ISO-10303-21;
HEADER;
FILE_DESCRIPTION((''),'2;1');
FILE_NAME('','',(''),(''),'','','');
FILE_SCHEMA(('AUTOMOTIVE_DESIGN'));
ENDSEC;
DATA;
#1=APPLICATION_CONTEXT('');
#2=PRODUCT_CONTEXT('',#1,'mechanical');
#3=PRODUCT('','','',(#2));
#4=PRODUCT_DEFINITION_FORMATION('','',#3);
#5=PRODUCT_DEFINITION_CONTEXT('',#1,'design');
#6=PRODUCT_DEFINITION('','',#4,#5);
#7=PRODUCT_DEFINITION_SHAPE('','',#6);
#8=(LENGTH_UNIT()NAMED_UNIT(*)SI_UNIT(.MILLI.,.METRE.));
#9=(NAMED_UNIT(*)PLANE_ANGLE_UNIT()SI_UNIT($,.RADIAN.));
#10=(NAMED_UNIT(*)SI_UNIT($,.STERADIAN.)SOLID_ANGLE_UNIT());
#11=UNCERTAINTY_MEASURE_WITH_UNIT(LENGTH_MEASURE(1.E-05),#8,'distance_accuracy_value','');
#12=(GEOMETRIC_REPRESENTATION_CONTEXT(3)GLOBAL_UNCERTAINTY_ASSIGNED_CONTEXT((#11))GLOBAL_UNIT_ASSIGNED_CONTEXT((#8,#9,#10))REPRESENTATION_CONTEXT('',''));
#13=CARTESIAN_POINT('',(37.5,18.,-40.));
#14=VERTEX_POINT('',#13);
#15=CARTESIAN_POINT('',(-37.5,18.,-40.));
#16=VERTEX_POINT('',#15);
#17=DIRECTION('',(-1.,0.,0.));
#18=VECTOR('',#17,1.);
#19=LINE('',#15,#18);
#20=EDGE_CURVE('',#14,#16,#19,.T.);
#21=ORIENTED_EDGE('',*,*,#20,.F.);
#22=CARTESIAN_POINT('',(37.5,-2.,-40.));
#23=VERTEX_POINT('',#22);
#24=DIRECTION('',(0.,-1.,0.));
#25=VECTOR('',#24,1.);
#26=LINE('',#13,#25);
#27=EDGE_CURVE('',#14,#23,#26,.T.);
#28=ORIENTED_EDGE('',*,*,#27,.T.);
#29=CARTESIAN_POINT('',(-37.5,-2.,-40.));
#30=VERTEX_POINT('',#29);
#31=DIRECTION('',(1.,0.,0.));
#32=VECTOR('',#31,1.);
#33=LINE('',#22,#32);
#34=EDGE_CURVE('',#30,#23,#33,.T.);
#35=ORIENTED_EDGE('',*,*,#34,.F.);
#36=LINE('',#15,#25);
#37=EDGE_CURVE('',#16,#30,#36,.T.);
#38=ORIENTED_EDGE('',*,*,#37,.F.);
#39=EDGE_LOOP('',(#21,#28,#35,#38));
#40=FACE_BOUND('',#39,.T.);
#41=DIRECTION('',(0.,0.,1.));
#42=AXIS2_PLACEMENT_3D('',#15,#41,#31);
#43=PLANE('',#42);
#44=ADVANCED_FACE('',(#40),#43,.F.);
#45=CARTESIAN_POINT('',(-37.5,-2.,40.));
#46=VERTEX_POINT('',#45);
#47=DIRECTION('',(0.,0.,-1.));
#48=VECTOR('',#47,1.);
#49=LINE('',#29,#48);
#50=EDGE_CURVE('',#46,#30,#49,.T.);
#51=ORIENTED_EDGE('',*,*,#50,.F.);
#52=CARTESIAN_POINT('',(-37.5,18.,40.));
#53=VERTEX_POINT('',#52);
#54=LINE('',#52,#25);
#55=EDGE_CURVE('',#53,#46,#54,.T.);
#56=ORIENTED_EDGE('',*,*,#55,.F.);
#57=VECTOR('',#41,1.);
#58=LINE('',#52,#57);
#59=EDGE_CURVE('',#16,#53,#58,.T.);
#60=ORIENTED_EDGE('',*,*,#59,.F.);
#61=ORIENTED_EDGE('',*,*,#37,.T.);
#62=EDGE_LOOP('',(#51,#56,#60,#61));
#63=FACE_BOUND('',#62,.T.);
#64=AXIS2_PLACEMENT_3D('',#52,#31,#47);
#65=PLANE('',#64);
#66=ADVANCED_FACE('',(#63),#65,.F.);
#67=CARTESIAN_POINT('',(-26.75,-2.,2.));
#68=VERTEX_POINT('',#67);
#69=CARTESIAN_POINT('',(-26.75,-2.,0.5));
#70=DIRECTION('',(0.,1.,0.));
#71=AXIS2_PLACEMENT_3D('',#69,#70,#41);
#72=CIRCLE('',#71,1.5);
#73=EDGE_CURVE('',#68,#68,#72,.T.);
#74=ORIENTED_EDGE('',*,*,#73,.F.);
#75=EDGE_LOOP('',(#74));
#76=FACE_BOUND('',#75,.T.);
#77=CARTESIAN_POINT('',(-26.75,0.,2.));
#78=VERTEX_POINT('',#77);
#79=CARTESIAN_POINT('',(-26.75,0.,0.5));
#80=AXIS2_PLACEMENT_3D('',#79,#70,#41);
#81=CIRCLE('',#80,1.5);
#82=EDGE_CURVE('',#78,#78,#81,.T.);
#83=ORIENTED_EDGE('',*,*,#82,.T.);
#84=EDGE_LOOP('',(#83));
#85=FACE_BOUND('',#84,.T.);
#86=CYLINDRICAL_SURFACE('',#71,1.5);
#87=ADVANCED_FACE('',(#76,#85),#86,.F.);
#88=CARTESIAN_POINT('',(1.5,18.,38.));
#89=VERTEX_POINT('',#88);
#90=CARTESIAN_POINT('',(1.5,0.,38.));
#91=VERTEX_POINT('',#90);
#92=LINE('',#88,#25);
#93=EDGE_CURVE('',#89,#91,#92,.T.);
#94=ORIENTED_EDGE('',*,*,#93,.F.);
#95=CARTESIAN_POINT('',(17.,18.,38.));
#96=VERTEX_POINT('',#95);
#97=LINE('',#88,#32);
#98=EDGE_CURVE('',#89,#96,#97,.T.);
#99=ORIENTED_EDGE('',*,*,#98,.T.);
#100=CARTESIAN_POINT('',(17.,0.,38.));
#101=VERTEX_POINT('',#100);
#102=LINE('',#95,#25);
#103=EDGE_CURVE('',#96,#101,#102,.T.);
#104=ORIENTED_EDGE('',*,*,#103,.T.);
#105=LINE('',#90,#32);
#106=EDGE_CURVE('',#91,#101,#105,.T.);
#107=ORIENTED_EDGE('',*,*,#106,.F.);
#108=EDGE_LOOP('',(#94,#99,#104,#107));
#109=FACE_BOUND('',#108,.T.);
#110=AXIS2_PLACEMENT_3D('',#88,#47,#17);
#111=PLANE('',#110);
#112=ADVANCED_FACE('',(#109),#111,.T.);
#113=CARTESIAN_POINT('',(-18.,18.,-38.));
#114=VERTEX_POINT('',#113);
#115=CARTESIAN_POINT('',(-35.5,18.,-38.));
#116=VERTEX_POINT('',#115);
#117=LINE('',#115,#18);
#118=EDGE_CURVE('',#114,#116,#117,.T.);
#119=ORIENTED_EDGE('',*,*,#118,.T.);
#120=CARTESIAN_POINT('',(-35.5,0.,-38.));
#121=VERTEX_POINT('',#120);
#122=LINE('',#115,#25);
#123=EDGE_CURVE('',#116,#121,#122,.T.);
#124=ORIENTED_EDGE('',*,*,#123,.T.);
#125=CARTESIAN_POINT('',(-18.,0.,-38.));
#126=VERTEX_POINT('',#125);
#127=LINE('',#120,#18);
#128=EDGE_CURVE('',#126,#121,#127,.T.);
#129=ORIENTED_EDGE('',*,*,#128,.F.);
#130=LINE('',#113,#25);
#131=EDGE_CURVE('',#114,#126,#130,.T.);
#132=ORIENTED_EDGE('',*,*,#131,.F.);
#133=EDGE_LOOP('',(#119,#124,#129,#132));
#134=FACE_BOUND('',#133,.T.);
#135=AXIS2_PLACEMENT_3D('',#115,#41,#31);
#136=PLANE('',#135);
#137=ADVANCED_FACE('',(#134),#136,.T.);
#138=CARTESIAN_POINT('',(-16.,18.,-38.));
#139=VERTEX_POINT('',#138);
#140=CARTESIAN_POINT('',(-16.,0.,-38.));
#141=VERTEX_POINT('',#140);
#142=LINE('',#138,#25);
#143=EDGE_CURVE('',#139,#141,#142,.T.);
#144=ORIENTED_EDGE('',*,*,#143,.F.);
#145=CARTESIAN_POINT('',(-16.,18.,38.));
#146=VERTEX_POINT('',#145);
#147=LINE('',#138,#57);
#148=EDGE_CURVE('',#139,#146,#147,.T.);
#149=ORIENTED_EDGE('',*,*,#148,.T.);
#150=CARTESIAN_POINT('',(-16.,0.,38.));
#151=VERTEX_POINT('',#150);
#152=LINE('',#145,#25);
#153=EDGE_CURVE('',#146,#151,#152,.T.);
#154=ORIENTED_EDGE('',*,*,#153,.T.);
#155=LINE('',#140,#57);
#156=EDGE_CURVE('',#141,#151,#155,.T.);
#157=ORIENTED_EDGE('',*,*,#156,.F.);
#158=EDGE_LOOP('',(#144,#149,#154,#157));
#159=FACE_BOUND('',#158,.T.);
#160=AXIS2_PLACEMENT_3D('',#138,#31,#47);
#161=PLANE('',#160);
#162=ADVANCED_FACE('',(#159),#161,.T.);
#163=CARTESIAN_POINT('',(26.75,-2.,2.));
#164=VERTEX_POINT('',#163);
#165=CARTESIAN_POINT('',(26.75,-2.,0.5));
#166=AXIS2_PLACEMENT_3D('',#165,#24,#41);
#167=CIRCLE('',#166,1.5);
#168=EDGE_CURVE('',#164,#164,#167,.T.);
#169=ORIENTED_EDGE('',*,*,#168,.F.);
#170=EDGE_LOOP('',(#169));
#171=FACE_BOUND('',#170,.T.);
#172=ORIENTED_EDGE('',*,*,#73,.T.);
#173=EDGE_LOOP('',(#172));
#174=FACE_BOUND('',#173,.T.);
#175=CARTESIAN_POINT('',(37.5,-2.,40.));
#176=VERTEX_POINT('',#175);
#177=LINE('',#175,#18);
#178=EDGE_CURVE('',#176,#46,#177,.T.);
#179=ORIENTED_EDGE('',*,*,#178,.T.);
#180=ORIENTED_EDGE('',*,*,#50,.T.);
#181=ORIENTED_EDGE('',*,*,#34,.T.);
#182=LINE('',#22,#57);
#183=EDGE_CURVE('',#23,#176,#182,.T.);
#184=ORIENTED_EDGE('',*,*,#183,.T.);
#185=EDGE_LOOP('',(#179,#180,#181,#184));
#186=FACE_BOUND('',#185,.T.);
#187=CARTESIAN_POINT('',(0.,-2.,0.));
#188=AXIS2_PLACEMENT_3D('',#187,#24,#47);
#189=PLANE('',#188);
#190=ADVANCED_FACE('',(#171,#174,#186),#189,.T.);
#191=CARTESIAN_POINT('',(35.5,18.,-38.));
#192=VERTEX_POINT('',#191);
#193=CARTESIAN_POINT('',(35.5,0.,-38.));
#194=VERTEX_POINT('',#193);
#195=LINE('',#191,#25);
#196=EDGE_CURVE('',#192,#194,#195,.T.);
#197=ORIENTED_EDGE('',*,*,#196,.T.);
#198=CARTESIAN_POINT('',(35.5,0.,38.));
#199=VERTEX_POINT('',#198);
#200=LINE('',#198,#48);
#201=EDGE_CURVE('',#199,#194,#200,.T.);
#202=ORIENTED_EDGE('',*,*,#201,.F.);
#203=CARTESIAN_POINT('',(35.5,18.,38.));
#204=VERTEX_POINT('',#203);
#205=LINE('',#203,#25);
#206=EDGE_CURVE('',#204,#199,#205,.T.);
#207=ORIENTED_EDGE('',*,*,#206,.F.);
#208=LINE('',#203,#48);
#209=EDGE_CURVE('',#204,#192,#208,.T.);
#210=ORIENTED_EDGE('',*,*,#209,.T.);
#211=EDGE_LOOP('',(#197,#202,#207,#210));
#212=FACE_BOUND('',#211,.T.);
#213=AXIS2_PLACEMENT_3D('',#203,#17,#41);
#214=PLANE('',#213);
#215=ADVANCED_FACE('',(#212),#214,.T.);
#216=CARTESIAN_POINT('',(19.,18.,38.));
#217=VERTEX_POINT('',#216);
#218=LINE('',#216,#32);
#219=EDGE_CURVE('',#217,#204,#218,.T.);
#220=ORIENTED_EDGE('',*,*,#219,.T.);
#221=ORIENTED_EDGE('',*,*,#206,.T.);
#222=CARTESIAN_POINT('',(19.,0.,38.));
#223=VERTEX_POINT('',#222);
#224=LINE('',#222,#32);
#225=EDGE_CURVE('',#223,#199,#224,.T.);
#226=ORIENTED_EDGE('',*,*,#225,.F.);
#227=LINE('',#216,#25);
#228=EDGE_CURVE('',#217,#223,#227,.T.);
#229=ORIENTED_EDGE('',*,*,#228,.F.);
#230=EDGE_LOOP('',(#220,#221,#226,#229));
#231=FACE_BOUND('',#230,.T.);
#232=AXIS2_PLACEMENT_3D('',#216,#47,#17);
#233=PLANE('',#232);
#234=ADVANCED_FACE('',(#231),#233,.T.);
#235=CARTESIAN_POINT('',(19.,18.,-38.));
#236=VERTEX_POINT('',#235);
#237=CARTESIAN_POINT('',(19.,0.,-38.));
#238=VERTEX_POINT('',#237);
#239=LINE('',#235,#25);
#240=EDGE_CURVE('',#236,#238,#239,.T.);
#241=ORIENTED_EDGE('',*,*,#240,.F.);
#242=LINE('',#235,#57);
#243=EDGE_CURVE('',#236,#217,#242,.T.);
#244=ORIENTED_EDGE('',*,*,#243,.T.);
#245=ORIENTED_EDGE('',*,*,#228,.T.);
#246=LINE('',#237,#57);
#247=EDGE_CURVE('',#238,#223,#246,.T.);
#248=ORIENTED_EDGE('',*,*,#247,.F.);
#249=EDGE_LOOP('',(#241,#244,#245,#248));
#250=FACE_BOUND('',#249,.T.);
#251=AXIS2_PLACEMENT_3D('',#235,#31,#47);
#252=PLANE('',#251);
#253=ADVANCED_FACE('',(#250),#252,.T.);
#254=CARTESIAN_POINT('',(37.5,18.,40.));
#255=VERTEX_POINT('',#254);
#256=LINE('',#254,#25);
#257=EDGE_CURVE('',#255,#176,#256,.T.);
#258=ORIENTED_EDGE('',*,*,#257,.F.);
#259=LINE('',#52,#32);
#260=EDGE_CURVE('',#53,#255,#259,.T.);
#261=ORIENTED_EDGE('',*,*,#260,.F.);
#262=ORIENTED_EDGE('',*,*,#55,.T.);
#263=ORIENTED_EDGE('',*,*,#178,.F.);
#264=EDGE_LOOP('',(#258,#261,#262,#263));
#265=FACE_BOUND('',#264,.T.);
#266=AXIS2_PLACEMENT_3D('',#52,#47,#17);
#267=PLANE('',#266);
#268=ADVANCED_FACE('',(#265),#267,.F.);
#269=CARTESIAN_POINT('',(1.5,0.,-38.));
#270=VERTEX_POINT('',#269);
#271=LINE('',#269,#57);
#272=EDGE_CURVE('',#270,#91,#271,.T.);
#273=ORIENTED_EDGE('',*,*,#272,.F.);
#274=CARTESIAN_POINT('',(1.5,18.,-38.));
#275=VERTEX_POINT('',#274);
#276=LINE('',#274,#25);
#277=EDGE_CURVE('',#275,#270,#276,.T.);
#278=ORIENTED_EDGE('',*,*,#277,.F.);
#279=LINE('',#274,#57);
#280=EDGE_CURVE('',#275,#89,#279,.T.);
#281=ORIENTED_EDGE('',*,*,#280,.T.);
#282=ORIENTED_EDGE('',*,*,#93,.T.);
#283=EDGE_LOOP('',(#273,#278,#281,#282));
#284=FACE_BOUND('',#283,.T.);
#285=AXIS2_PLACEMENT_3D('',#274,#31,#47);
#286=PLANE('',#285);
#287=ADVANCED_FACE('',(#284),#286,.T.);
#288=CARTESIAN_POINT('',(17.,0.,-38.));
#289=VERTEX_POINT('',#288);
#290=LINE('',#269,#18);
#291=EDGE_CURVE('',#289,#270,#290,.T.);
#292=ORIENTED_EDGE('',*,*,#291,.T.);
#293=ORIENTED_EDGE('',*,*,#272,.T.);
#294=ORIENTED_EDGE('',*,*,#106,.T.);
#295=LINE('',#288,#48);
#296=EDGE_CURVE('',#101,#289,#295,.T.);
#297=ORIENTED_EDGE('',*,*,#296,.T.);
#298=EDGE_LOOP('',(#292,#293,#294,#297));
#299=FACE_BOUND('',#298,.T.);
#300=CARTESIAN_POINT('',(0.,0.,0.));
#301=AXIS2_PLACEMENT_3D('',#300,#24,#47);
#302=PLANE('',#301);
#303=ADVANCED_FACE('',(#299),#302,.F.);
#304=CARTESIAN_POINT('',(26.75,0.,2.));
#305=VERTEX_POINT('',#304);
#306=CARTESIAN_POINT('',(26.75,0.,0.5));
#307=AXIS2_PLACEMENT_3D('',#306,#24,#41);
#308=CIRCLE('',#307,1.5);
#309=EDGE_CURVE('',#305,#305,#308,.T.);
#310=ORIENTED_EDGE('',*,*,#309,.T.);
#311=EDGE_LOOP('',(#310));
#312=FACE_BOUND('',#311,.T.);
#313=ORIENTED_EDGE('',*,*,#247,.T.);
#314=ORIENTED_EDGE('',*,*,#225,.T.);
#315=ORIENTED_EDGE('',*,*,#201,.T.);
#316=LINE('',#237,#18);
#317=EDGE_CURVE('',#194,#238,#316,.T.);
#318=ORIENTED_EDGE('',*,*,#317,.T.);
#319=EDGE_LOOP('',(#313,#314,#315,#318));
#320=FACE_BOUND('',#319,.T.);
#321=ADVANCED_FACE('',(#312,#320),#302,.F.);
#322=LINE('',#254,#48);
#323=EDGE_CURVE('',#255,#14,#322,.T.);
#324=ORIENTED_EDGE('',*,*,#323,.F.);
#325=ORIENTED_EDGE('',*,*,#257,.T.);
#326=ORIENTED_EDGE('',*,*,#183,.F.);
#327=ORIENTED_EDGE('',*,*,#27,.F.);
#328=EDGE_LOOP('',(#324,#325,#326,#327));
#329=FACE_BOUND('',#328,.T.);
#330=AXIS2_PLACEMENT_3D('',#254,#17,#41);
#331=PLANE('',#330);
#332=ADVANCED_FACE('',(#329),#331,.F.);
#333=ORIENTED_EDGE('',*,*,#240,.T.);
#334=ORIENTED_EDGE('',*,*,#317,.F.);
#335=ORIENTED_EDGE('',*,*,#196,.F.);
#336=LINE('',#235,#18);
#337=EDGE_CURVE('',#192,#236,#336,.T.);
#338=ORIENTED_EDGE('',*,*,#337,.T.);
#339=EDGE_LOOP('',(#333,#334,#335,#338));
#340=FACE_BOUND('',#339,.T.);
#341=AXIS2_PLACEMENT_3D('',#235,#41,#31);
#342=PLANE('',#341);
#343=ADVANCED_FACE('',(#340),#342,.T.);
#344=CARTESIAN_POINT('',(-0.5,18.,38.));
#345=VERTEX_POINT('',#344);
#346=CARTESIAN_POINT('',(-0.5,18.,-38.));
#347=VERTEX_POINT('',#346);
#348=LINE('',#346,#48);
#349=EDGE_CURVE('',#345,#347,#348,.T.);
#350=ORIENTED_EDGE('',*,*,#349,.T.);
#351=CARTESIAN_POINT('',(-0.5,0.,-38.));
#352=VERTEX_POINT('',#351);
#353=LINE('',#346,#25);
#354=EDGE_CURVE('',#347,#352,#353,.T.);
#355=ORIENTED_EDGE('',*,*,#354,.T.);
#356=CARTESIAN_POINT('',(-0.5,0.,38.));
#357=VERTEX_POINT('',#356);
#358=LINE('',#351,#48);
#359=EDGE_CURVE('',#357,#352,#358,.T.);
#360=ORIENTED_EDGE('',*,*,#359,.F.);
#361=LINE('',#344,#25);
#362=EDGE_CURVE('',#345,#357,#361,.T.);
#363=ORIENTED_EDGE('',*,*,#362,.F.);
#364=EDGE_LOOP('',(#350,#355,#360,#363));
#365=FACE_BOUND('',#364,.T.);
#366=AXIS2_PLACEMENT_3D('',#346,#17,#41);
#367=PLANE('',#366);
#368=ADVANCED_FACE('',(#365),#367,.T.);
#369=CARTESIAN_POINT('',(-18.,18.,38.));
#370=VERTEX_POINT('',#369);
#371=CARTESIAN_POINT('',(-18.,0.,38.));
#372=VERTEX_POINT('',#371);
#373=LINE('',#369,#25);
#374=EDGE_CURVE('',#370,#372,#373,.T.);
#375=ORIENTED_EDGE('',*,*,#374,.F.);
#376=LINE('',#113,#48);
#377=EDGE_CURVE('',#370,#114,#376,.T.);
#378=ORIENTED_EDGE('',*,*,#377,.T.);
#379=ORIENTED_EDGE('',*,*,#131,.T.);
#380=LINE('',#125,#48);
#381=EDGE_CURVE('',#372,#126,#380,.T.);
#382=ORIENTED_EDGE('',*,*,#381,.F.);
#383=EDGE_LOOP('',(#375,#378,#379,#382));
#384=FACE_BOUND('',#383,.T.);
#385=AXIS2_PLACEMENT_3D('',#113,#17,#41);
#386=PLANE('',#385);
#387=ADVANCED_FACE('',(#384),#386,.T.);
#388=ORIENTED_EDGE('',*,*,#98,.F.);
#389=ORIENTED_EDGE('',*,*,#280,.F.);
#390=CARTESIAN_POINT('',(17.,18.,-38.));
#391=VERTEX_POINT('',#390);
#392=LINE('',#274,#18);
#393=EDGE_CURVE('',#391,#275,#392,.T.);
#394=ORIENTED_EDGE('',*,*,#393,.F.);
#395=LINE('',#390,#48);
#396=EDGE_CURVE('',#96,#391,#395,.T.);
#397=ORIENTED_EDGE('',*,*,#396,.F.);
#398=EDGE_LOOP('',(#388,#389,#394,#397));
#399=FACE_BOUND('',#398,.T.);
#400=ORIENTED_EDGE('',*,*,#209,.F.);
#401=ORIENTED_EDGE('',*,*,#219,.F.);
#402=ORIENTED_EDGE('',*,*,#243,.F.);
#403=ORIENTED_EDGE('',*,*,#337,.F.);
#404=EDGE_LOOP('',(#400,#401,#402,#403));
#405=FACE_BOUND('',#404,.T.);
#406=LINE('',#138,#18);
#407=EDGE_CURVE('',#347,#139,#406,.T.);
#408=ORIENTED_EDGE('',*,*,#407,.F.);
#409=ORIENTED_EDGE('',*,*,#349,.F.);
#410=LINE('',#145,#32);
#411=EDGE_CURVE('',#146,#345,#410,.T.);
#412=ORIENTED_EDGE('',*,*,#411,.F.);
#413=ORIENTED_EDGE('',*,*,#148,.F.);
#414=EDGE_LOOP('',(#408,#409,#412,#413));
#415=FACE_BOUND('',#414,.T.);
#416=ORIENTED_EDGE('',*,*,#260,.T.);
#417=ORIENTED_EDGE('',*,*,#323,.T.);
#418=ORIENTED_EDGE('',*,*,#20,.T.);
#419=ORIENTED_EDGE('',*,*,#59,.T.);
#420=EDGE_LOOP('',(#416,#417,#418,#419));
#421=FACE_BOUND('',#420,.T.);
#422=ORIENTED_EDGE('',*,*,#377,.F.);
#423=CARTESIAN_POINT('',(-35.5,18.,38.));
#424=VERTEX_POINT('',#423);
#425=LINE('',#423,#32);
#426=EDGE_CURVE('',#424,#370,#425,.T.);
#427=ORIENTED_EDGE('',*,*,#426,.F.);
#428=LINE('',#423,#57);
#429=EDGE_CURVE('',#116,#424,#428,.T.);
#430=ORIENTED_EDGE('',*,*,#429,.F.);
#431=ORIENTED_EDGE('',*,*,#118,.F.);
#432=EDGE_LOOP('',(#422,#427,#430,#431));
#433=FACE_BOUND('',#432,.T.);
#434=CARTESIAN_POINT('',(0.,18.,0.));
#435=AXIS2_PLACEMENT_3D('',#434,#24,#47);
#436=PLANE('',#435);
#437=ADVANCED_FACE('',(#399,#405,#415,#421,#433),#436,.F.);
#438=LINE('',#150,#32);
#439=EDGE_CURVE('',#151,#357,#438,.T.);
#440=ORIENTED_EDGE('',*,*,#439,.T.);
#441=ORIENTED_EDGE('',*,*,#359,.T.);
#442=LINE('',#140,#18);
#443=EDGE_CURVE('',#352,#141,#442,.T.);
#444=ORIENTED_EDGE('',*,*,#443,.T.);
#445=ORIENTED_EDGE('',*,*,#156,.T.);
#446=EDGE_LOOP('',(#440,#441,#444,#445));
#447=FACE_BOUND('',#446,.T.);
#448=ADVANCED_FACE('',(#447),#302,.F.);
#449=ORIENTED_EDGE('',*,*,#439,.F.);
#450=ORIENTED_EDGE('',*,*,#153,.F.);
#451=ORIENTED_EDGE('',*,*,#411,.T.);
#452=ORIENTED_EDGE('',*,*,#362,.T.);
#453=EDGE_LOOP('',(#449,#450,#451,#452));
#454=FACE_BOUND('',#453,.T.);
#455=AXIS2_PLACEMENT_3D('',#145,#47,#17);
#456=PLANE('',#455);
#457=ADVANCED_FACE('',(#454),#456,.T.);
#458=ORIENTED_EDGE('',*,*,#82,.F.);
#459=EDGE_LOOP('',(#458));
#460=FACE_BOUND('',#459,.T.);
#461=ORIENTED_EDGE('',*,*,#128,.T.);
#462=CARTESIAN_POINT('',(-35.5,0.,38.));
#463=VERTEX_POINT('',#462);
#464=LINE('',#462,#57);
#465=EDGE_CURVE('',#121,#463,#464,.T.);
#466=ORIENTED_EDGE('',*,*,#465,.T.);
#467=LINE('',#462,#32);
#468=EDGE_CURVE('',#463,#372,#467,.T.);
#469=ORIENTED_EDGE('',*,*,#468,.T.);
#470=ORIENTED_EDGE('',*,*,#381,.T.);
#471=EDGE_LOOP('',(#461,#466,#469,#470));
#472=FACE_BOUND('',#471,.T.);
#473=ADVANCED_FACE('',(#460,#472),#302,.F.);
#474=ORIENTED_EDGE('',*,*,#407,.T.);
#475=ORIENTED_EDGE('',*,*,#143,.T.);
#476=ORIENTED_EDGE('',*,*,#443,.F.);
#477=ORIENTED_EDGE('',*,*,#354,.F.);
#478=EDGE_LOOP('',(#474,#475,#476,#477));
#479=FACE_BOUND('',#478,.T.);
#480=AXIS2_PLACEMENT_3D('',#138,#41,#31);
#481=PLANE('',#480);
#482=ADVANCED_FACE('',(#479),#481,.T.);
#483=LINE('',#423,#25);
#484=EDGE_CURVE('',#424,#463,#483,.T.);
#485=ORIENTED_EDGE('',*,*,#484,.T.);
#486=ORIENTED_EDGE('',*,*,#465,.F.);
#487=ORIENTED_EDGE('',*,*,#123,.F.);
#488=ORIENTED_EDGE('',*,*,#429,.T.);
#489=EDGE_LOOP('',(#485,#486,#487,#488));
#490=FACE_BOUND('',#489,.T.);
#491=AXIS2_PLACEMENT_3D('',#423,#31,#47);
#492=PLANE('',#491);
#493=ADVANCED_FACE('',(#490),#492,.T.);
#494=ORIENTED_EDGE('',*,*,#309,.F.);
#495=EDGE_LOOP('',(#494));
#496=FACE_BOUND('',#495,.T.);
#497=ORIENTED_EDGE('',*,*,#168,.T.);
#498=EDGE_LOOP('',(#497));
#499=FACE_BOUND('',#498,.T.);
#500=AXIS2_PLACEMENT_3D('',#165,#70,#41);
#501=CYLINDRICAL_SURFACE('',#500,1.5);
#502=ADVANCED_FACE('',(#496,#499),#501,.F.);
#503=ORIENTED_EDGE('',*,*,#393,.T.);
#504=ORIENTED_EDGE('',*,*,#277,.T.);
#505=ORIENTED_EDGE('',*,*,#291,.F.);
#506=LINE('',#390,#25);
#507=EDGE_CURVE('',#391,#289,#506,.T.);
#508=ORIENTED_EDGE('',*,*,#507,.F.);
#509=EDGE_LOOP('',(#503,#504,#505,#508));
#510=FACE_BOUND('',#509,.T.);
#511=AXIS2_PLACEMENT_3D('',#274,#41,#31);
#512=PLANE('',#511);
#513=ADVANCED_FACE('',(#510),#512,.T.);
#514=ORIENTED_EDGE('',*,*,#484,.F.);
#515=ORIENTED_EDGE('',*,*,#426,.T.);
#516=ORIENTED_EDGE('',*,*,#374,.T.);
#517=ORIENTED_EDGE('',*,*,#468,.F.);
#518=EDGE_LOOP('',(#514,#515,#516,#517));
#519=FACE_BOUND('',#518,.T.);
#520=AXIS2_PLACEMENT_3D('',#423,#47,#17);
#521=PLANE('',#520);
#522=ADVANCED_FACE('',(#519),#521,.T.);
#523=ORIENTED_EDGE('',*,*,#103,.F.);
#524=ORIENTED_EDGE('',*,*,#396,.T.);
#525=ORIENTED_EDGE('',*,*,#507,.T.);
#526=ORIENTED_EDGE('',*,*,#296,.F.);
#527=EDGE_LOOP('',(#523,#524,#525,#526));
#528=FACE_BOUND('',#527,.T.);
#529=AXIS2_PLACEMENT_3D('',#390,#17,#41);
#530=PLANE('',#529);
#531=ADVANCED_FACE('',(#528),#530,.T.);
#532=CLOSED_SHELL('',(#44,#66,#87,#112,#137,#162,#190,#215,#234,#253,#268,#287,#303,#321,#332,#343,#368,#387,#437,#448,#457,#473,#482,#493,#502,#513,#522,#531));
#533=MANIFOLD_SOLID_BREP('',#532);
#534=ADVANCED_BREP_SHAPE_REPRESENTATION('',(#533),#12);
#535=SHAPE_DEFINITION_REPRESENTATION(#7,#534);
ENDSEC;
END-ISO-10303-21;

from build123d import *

# Parameters (mm, degrees)
SKETCH2_W           = 75
SKETCH2_H           = 80
SKETCH2_W_2         = 17.5
SKETCH2_H_2         = 76
SKETCH2_W_3         = 16.5
SKETCH2_W_4         = 15.5
BOSS_EXTRUDE1_DEPTH = 18
SKETCH3_W           = 75
SKETCH3_H           = 80
BOSS_EXTRUDE3_DEPTH = 2
SKETCH4_R           = 1.5
CUT_EXTRUDE1_DEPTH  = 3


with BuildPart() as part:
    # Sketch2 → Boss-Extrude1 (new body)
    with BuildSketch(Plane(origin=(0, 0, 0), x_dir=(1, 0, 0), z_dir=(0, 1, 0))):
        Rectangle(SKETCH2_W, SKETCH2_H)
        with Locations((-26.75, 0)):
            Rectangle(SKETCH2_W_2, SKETCH2_H_2, mode=Mode.SUBTRACT)
        with Locations((27.25, 0)):
            Rectangle(SKETCH2_W_3, SKETCH2_H_2, mode=Mode.SUBTRACT)
        with Locations((-8.25, 0)):
            Rectangle(SKETCH2_W_4, SKETCH2_H_2, mode=Mode.SUBTRACT)
        with Locations((9.25, 0)):
            Rectangle(SKETCH2_W_4, SKETCH2_H_2, mode=Mode.SUBTRACT)
    extrude(amount=BOSS_EXTRUDE1_DEPTH)

    # Sketch3 → Boss-Extrude3 (add)
    with BuildSketch(Plane.XZ):
        Rectangle(SKETCH3_W, SKETCH3_H)
    extrude(amount=BOSS_EXTRUDE3_DEPTH)

    # Sketch4 → Cut-Extrude1 (cut, through all)
    with BuildSketch(Plane(origin=(0, 0, 0), x_dir=(1, 0, 0), z_dir=(0, 1, 0))):
        with Locations((-26.75, -0.5)):
            Circle(SKETCH4_R)
    cut_extrude1 = extrude(amount=-CUT_EXTRUDE1_DEPTH, mode=Mode.SUBTRACT)

    # Mirror1: Cut-Extrude1 across plane
    add(cut_extrude1.mirror(Plane(origin=(0, 0, 0), x_dir=(0, 0, 1), z_dir=(1, 0, 0))), mode=Mode.SUBTRACT)


solid = part.part
